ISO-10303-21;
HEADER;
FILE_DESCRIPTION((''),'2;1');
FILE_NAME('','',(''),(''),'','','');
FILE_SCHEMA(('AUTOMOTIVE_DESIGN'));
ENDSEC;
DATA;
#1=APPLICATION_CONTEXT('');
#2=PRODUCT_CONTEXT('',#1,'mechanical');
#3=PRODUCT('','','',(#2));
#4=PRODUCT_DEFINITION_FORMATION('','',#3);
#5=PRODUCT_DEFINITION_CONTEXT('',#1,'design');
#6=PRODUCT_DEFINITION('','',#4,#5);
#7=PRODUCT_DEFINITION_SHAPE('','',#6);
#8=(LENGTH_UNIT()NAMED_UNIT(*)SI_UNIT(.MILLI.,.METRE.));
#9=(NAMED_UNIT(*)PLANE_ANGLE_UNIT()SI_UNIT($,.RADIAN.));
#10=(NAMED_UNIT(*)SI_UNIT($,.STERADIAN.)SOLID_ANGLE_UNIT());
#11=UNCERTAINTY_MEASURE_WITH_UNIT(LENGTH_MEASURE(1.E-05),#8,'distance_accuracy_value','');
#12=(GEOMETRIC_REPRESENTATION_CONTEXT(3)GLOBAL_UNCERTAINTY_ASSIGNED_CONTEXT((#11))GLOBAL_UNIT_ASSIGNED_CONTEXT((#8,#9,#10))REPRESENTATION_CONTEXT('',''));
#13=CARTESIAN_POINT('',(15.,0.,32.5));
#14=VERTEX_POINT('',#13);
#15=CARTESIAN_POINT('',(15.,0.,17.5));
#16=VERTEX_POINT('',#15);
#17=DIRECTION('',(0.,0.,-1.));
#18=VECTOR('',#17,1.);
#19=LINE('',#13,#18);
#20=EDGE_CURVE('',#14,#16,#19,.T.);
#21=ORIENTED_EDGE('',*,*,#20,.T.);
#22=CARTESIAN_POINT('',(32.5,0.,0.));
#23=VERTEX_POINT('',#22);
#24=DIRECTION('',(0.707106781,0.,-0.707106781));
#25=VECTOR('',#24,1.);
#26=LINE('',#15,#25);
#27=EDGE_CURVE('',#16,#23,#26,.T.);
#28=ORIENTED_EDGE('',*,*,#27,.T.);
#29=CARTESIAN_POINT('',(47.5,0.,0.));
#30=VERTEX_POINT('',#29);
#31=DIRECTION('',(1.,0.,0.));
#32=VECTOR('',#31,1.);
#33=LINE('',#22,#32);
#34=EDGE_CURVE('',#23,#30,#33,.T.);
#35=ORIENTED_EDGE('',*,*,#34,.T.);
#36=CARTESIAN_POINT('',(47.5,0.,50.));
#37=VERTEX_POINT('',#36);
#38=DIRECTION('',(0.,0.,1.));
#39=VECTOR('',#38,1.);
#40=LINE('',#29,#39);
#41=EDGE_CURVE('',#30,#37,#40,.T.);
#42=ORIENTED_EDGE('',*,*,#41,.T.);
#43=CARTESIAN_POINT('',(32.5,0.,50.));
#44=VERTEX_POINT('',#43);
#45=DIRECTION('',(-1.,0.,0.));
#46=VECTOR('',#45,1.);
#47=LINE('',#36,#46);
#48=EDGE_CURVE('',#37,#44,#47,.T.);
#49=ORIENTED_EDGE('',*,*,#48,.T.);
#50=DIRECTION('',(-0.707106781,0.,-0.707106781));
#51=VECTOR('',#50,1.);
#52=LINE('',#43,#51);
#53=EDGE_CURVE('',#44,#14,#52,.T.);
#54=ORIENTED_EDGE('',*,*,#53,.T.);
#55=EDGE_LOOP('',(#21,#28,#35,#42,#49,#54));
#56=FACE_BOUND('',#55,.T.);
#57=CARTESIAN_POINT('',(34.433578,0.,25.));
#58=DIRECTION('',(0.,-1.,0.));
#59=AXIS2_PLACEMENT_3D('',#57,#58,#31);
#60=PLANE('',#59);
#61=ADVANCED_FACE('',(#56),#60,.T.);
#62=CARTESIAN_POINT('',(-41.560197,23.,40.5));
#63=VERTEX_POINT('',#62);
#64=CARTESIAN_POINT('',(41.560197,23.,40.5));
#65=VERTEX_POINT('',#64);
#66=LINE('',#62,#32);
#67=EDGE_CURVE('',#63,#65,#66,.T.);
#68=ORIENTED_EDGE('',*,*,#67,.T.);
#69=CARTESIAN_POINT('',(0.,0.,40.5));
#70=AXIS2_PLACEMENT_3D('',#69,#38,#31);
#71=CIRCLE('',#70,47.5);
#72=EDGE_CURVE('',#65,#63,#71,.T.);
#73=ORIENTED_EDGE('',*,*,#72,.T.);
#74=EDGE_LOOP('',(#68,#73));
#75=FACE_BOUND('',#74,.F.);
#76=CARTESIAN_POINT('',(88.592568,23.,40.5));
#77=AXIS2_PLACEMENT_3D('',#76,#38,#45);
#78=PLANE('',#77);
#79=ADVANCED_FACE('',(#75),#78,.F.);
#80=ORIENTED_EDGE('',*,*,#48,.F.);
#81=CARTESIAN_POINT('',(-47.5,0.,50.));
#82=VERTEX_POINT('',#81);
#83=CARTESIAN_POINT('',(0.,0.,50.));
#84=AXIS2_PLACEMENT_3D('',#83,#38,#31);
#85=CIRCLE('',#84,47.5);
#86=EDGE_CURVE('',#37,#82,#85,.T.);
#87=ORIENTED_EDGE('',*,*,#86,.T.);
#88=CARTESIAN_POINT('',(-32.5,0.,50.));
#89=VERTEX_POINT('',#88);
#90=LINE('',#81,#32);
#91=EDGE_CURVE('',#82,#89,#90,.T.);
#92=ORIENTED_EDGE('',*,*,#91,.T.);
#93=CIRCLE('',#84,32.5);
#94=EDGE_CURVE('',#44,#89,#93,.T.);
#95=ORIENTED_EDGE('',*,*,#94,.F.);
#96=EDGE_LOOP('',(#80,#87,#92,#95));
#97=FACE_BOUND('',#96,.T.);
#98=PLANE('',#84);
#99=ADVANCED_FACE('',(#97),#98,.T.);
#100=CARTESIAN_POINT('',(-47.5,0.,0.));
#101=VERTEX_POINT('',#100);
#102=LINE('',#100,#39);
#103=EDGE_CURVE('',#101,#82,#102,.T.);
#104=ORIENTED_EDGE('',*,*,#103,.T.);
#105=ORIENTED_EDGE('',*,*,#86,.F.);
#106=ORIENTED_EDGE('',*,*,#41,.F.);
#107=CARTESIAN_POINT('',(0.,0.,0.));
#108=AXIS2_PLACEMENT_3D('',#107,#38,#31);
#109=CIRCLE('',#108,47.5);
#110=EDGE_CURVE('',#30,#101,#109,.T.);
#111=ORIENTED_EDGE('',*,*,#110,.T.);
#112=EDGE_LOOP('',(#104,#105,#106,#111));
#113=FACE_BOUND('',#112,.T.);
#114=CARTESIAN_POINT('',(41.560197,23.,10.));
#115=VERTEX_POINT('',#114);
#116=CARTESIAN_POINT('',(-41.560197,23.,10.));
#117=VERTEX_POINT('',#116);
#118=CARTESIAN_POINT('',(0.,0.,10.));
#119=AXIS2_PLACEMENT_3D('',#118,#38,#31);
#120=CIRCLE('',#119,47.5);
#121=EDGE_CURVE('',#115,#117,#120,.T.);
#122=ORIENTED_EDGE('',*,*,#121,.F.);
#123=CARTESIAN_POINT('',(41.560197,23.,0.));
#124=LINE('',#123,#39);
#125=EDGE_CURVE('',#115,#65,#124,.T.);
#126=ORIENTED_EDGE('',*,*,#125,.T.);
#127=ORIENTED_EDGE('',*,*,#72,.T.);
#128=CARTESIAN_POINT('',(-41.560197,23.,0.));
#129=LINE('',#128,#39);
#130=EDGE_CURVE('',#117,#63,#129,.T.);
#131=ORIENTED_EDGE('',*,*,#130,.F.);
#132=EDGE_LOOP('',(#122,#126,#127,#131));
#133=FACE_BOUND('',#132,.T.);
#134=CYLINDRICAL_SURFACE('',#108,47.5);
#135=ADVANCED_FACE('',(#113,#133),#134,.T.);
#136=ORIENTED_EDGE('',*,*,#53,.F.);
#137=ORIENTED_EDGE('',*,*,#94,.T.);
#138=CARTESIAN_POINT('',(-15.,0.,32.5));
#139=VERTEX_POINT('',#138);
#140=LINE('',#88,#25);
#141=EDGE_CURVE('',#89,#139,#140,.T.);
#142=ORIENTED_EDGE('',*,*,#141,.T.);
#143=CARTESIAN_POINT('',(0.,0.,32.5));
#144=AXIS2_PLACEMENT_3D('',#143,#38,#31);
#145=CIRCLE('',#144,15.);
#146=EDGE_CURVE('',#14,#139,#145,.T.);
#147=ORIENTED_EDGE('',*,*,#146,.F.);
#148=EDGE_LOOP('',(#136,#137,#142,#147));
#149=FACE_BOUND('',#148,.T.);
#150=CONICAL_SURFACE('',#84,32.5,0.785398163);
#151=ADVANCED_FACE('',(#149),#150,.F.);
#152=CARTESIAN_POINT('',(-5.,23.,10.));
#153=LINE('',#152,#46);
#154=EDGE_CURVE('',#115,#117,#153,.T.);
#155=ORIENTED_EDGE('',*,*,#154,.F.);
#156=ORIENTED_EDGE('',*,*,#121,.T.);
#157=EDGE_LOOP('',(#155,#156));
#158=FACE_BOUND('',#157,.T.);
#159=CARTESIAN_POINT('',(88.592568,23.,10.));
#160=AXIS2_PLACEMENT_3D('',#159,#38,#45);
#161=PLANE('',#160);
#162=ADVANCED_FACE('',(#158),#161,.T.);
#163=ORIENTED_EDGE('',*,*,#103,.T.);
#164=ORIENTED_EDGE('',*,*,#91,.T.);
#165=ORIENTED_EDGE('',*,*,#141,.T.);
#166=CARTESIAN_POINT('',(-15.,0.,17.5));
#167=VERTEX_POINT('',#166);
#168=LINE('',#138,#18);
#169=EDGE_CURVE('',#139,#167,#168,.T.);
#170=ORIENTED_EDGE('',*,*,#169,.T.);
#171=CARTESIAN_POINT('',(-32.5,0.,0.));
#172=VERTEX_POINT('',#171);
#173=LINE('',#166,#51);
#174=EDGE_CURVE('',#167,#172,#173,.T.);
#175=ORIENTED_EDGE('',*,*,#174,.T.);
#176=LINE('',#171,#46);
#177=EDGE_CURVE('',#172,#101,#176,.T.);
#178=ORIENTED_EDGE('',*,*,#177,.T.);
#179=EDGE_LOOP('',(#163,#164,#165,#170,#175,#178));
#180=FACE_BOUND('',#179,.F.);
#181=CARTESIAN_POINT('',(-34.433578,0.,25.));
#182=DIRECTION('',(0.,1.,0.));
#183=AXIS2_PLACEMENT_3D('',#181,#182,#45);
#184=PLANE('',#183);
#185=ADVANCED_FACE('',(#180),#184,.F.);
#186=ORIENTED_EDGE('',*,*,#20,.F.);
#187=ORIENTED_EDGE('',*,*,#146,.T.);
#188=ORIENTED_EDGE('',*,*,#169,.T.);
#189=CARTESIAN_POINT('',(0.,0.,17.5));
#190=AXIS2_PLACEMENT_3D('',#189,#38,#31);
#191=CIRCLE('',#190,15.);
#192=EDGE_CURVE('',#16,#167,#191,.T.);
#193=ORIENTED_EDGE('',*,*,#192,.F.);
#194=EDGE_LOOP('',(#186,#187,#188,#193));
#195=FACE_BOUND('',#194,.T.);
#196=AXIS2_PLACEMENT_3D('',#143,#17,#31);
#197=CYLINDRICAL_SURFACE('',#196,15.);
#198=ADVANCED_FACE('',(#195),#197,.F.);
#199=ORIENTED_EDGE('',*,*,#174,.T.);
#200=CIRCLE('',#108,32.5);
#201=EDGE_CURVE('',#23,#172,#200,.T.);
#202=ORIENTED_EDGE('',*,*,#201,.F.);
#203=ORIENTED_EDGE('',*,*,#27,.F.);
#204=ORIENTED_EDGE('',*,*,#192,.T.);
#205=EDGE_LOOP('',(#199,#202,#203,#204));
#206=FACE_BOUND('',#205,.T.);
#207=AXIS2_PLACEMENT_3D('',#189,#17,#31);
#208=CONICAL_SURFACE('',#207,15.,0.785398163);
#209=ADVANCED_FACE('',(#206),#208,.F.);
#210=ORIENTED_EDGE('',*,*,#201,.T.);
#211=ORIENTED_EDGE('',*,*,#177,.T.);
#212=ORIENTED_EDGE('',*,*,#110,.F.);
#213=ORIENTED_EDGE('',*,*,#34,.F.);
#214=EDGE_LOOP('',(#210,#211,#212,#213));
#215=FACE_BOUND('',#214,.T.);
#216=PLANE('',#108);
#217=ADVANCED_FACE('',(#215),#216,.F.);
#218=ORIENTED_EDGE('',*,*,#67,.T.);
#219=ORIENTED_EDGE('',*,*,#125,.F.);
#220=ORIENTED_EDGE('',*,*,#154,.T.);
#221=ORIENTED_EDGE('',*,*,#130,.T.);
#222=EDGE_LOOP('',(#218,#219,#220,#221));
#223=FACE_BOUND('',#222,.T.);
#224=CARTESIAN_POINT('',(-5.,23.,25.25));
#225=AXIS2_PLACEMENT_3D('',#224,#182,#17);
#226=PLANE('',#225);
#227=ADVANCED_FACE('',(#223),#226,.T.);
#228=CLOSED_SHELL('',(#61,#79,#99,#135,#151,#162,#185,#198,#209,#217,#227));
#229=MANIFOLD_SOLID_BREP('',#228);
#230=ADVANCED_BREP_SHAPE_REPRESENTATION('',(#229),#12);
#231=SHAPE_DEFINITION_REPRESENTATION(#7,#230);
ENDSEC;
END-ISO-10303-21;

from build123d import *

# Parameters (mm, degrees)
SKETCH009_W         = 30.5
SKETCH009_H         = 187.185136
EXTRUDE005_DEPTH    = 40
REVOLUTION001_ANGLE = 180


with BuildPart() as extrude005:
    # Sketch009 → Extrude005 (new body)
    with BuildSketch(Plane(origin=(22, 23, 10), x_dir=(0, 0, -1), z_dir=(0, 1, 0))):
        with Locations((-15.25, 27)):
            Rectangle(SKETCH009_W, SKETCH009_H)
    extrude(amount=EXTRUDE005_DEPTH)


with BuildPart() as cut004:
    # Sketch002 → Revolution001 (revolve)
    with BuildSketch(Plane.XZ):
        Polygon((32.5, 50), (15, 32.5), (15, 17.5), (32.5, 0), (47.5, 0), (47.5, 50), align=None)
    revolve(axis=Axis((0, 0, 0), (0, 0, 1)), revolution_arc=REVOLUTION001_ANGLE)

    # Cut004: cut Extrude005
    add(extrude005.part, mode=Mode.SUBTRACT)


solid = cut004.part
